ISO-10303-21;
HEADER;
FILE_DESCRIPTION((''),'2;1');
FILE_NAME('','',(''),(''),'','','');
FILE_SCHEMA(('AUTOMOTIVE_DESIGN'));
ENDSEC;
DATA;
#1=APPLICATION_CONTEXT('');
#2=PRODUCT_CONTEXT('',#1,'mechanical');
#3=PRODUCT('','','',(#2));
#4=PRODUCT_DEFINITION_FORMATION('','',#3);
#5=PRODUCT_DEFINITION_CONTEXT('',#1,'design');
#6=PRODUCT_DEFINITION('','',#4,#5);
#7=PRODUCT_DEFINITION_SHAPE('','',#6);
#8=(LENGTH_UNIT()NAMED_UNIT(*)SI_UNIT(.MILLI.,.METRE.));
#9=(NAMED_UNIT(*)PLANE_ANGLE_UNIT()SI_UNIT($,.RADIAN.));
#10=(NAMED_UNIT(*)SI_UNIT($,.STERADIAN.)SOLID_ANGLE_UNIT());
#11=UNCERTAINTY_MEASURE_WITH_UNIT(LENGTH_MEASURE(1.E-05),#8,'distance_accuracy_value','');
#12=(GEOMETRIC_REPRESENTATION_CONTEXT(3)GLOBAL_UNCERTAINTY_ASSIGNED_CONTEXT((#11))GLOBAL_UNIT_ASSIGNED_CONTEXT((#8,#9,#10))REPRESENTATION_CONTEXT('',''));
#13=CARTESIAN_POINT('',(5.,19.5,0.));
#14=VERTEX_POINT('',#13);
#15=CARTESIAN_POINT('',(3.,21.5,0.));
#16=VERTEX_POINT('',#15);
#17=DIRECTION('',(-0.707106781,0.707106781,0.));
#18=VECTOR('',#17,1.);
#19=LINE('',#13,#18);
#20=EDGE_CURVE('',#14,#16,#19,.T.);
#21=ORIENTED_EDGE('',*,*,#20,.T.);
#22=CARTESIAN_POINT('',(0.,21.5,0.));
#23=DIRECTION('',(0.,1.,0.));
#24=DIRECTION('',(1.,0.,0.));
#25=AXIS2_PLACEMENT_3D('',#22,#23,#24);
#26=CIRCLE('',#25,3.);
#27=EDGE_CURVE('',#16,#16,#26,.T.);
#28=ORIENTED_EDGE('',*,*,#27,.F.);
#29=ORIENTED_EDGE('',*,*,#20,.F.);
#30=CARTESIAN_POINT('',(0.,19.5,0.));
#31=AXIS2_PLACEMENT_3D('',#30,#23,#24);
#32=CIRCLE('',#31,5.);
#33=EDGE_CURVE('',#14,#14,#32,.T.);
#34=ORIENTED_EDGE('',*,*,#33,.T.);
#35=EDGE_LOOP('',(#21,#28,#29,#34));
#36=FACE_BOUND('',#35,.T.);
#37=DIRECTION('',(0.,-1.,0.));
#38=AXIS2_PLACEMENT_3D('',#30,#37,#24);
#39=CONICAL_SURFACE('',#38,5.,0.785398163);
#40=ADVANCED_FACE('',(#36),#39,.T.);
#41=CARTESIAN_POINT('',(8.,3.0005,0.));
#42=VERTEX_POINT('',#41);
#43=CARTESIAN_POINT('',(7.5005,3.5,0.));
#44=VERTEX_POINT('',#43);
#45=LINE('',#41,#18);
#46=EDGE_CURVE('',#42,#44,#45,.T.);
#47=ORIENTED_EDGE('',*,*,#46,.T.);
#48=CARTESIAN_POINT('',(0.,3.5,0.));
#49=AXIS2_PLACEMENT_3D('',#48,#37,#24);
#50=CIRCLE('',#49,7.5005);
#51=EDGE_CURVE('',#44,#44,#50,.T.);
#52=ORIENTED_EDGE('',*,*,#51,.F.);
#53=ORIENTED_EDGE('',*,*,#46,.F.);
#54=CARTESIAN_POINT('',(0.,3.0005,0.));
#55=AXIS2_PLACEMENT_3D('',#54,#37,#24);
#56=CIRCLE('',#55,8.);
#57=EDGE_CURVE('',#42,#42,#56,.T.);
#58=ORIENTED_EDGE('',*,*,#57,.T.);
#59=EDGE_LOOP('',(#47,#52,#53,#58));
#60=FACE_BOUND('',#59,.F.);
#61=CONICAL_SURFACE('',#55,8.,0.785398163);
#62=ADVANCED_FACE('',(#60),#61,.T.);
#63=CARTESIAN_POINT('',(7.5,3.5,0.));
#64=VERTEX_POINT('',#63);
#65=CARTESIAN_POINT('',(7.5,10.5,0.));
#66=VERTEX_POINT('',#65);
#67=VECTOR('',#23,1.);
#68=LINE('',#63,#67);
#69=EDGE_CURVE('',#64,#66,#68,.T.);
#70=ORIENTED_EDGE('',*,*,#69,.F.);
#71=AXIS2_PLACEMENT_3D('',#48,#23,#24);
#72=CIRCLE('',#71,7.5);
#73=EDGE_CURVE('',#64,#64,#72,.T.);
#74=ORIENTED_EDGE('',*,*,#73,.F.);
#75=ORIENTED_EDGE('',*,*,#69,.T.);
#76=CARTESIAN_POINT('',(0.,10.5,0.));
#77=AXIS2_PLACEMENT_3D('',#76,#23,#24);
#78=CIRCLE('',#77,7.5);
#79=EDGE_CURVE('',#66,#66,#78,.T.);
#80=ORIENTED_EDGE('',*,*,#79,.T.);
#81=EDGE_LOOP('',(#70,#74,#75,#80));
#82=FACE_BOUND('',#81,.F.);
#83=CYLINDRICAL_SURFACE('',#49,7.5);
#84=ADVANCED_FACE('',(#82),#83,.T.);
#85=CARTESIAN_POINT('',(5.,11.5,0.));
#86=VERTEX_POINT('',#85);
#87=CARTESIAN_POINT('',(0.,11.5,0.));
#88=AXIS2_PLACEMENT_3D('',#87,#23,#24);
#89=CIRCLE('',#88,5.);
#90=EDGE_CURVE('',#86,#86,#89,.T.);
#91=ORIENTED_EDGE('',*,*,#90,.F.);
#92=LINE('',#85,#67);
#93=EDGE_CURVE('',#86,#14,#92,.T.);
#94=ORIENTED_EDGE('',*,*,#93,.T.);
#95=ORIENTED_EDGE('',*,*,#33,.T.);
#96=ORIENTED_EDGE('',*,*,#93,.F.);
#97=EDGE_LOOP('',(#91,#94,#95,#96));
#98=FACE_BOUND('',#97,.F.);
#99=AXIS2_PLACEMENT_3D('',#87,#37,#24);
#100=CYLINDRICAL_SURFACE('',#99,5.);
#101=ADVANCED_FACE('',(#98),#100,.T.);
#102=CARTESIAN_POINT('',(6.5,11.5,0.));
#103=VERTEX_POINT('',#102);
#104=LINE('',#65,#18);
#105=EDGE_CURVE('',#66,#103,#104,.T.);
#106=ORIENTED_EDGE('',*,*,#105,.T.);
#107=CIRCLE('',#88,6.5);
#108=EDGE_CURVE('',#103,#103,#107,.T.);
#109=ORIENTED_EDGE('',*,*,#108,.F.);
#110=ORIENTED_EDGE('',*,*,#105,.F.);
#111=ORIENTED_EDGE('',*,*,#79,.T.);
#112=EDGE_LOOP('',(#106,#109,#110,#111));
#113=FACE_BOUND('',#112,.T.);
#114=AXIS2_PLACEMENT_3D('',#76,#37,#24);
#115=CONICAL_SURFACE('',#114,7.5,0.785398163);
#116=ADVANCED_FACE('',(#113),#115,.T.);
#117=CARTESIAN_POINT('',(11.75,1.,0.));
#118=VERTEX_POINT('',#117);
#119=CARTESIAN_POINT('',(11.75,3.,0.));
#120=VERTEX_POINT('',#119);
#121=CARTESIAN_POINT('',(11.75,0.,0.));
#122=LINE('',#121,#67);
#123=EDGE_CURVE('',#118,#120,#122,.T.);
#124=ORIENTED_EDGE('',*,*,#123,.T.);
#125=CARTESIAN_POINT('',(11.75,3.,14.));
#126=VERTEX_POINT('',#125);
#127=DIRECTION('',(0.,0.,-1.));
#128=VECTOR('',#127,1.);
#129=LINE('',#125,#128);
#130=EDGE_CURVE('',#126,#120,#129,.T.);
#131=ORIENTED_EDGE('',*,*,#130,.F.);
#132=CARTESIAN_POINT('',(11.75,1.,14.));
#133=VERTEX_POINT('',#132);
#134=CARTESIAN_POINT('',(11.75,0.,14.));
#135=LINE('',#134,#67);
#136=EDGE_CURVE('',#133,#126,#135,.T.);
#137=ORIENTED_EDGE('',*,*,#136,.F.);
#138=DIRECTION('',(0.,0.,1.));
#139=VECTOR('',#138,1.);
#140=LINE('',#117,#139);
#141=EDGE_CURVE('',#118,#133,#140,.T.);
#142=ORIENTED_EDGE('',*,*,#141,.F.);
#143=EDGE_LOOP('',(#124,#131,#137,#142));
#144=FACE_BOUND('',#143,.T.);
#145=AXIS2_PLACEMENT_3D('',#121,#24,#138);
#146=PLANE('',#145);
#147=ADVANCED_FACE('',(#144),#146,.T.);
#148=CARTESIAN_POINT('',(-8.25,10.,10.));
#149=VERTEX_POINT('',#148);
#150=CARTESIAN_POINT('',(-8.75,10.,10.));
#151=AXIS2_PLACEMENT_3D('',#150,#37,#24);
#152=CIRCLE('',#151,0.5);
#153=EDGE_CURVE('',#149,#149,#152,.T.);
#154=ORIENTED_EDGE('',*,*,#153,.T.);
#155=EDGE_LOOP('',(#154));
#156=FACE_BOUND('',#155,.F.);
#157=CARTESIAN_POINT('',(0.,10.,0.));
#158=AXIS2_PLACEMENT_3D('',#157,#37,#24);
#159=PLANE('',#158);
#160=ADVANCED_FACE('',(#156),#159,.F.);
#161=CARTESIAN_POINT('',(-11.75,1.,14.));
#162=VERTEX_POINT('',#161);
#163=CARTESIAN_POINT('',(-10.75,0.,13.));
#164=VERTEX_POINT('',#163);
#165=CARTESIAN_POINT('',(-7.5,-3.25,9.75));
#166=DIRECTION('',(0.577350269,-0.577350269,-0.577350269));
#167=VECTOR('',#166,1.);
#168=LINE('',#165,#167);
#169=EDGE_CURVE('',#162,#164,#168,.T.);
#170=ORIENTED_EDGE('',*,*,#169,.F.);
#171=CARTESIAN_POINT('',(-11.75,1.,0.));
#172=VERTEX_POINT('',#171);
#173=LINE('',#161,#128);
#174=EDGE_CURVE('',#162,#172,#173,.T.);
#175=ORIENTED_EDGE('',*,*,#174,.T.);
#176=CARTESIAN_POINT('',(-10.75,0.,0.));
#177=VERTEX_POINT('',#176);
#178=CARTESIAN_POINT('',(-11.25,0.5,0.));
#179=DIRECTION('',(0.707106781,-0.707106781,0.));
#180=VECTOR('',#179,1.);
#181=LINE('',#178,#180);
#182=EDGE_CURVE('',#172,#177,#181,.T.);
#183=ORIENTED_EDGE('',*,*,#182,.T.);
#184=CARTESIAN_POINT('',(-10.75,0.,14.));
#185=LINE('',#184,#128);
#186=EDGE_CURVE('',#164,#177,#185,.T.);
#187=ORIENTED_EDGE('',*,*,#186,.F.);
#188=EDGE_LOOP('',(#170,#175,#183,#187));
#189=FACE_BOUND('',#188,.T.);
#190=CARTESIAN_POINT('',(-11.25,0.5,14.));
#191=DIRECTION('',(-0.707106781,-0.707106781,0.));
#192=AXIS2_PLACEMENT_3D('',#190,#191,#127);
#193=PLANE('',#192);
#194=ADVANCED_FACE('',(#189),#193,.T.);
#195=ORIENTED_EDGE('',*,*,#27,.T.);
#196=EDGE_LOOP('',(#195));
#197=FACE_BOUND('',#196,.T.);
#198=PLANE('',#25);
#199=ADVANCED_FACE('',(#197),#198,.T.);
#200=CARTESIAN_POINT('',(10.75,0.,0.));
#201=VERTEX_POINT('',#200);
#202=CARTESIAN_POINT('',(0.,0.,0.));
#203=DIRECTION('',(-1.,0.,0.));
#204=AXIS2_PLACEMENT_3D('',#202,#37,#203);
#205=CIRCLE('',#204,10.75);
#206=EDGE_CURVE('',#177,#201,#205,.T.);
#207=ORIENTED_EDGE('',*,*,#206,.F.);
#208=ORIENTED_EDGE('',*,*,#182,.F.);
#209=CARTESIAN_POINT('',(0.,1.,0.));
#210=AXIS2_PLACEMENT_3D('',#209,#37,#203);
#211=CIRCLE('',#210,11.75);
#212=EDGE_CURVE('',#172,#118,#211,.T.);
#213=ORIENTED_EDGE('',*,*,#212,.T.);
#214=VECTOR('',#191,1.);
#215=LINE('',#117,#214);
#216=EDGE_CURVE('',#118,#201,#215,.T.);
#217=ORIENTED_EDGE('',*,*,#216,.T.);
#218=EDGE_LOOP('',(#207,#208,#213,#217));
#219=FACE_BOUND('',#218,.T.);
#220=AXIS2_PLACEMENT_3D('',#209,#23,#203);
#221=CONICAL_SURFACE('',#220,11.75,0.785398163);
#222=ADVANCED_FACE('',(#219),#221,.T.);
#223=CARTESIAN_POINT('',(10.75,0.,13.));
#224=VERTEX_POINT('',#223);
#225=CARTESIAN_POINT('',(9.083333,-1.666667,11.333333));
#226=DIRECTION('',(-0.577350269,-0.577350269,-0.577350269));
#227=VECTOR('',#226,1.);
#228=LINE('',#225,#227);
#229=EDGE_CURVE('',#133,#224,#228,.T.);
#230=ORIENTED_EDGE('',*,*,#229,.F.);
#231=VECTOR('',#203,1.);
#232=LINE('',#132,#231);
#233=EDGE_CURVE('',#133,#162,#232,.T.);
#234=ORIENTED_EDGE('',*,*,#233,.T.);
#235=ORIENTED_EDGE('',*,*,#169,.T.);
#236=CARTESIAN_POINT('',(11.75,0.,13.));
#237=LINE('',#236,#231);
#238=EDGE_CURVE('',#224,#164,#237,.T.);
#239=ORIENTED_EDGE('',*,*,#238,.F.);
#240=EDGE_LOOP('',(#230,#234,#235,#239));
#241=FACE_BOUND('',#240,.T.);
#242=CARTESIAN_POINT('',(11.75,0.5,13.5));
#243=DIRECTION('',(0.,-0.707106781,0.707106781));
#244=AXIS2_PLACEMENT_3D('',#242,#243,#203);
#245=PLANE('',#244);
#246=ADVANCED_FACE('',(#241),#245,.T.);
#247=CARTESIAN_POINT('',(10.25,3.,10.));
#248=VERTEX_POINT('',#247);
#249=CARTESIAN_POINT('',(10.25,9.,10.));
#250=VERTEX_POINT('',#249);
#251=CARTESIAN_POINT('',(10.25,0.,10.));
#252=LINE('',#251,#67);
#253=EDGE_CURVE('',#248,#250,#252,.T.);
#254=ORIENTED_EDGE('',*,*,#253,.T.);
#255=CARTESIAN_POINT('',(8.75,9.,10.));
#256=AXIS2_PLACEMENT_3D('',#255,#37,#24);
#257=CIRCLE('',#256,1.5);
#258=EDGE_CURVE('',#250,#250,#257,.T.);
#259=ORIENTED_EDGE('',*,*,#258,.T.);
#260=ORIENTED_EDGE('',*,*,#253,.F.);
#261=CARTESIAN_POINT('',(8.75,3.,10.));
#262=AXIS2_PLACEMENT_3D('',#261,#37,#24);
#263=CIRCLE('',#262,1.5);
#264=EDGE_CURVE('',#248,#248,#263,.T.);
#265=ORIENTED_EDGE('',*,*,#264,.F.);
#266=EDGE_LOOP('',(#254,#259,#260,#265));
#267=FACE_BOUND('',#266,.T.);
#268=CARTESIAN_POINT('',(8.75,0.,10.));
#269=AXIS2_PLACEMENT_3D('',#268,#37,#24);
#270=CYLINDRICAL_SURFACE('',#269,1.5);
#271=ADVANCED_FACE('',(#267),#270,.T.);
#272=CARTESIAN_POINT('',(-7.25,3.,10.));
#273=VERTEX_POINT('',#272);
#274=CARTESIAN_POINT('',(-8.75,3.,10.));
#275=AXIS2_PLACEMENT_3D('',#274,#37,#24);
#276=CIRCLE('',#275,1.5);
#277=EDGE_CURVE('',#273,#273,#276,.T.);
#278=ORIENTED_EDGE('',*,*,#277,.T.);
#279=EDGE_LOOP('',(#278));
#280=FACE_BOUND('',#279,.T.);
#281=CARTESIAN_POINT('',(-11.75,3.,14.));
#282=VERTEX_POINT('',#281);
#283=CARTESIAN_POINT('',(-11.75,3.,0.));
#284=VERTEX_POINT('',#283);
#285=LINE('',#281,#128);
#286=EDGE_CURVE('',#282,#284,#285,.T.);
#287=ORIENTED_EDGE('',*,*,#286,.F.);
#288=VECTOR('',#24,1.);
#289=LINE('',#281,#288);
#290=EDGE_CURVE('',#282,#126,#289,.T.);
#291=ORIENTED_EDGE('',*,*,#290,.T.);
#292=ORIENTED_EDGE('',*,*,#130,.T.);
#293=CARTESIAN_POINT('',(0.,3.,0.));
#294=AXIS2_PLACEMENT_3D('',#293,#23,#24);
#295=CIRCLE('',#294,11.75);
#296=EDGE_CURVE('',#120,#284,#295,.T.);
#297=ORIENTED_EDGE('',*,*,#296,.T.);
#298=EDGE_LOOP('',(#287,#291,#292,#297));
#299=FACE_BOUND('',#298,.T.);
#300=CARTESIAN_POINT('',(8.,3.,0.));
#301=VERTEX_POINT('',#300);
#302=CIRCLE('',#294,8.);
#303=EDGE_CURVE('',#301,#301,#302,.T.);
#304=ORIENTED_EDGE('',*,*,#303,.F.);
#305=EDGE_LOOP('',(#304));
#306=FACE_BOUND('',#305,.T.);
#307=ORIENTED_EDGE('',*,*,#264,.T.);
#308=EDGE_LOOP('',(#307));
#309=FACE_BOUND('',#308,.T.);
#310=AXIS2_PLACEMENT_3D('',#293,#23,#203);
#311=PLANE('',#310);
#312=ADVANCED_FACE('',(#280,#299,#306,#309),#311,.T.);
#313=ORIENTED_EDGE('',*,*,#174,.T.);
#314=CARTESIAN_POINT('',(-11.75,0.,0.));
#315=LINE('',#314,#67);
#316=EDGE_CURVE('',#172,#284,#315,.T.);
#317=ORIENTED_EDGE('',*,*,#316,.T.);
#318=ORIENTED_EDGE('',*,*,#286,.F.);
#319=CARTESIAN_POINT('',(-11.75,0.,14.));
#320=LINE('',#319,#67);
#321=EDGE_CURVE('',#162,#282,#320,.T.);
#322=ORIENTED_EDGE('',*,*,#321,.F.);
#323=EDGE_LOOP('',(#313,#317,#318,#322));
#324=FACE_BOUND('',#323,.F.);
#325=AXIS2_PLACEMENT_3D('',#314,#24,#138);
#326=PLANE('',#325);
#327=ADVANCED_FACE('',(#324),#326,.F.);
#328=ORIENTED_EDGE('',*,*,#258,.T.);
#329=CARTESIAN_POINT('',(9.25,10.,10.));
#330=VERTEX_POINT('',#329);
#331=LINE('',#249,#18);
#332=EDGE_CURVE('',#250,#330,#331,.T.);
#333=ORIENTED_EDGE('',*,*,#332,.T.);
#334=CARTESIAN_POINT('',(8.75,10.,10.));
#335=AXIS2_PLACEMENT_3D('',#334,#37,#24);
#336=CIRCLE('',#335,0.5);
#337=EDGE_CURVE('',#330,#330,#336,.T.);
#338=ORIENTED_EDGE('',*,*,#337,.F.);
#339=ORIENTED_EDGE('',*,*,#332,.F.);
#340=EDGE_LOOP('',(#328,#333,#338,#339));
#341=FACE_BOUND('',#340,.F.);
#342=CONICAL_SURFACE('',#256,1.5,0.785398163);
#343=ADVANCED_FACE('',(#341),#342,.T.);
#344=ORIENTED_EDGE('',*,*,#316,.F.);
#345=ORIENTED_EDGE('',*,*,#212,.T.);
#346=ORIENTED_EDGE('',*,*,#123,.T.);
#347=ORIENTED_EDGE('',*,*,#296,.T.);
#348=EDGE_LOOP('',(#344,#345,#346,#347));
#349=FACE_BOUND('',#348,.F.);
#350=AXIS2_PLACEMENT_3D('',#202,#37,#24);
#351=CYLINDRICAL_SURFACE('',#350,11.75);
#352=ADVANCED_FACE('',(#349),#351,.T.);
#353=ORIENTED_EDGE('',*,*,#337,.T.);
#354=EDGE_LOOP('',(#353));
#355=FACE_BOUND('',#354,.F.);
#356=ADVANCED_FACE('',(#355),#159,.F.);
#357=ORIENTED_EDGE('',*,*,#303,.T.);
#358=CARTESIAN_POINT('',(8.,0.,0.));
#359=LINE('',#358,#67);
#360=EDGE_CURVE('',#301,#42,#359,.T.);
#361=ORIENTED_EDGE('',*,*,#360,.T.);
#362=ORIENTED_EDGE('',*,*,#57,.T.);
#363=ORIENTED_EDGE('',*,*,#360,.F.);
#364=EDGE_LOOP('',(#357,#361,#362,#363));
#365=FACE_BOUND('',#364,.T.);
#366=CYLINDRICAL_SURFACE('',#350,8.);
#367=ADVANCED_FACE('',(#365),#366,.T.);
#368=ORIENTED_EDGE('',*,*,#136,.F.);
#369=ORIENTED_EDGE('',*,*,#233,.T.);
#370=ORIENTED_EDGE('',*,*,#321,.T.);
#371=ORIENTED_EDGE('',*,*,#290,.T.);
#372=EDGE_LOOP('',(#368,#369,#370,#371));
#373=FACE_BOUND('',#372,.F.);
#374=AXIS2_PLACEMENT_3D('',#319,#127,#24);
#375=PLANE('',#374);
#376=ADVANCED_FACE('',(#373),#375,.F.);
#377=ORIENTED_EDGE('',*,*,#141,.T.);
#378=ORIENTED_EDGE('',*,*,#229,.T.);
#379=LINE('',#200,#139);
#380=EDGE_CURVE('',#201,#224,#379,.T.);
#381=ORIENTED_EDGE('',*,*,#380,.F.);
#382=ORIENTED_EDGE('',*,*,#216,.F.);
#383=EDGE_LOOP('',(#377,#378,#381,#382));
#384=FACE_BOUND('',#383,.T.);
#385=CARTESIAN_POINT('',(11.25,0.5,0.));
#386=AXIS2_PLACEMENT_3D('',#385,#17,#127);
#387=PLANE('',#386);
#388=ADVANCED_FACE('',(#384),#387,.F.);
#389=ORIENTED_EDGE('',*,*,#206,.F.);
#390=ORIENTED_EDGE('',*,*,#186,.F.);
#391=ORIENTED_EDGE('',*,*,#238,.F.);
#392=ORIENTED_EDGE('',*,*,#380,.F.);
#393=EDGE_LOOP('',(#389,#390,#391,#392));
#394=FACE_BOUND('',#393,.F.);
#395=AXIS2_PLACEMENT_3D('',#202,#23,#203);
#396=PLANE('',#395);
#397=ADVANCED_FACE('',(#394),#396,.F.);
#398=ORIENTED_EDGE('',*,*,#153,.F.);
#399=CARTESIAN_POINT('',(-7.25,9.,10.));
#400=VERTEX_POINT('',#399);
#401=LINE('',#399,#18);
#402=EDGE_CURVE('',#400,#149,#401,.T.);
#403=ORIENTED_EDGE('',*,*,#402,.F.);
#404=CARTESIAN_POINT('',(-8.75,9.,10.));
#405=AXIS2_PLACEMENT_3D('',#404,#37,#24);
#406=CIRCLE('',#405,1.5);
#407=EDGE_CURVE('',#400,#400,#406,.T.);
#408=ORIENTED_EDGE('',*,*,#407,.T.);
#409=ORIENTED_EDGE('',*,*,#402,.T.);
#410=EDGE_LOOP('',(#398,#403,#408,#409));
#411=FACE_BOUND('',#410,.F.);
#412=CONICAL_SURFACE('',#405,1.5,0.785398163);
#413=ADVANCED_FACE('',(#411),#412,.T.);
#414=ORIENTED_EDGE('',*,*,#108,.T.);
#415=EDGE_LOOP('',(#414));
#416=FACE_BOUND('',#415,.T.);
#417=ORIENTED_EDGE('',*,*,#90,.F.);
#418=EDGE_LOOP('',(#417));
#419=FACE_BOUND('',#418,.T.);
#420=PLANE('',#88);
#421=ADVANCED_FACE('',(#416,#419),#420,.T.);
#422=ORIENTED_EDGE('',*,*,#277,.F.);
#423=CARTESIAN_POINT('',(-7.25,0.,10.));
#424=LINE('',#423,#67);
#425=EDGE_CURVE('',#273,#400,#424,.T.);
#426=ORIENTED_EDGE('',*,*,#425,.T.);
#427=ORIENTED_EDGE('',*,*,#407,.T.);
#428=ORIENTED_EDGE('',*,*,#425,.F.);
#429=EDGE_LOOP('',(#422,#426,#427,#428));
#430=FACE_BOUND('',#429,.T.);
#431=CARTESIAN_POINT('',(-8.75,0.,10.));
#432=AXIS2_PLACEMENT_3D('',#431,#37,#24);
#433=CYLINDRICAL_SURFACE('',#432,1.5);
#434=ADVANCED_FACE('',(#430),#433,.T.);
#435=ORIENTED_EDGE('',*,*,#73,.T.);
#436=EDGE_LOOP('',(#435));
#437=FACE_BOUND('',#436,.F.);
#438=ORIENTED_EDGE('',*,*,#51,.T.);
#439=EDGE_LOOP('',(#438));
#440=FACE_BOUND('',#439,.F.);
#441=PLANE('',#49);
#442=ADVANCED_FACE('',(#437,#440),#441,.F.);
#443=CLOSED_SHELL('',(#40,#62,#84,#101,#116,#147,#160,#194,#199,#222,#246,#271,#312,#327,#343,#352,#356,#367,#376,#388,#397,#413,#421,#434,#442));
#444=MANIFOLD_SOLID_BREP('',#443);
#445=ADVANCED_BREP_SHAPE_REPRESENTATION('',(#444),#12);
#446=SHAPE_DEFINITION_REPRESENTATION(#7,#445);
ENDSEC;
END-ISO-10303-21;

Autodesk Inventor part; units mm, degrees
ref_plane "YZ Plane" through (0, 0, 0) normal (1, 0, 0) x (0, 1, 0)
ref_plane "XZ Plane" through (0, 0, 0) normal (0, 1, 0) x (-1, 0, 0)
ref_plane "XY Plane" through (0, 0, 0) normal (0, 0, 1) x (1, 0, 0)
sketch "Boceto1" plane through (0, 0, 0) normal (0, 1, 0) x (-1, 0, 0)
  circle A0 centre (0, 0) radius 8
  circle A1 centre (8.75, 10) radius 1.5
  circle A2 centre (-8.75, 10) radius 1.5
  circle A3 centre (-8.75, 10) radius 1.5
  circle A4 centre (8.75, 10) radius 1.5
  line L0 (11.75, 10) -> (11.75, 14)
  line L1 (11.75, 14) -> (-8.75, 14)
  line L2 (-11.75, 10) -> (-11.75, 14)
  line L3 (-11.75, 14) -> (-8.75, 14)
  arc A5 (-11.75, 0) -> (11.75, 0) centre (0, 0) ccw
  line L4 (11.75, 0) -> (11.75, 10)
  line L5 (-11.75, 0) -> (-11.75, 10.3265)
extrude "Extrusión1" add sketch "Boceto1" along normal blind 3
sketch "Boceto2" plane through (0, 0, 0) normal (0, -1, 0) x (1, 0, 0)
  circle A0 centre (8.75, 10) radius 1.5 projected
  circle A1 centre (8.75, 10) radius 1.5
  circle A2 centre (-8.75, 10) radius 1.5 projected
  circle A3 centre (-8.75, 10) radius 1.5
  point P0 (0, 0)
extrude "Extrusión2" add sketch "Boceto2" against normal blind 10
sketch "Boceto3" plane through (0, 0, 0) normal (0, -1, 0) x (1, 0, 0)
  circle A0 centre (0, 0) radius 8
extrude "Extrusión3" add sketch "Boceto3" against normal blind 3.5
sketch "Boceto4" plane through (0, 3.5, 0) normal (0, 1, 0) x (1, 0, 0)
  circle A0 centre (0, 0) radius 7.5
  dimension "d16" = 15
extrude "Extrusión4" add sketch "Boceto4" along normal blind 8
sketch "Boceto5" plane through (0, 11.5, 0) normal (0, 1, 0) x (1, 0, 0)
  circle A0 centre (0, 0) radius 5
  dimension "d19" = 10
extrude "Extrusión5" add sketch "Boceto5" along normal blind 10
chamfer "Chaflán1" distance 0.5 angle 45 1 edges at (-8, 3.5, 0)
chamfer "Chaflán2" distance 1 angle 45 1 edges at (-7.5, 11.5, 0)
chamfer "Chaflán3" distance 2 angle 45 1 edges at (-5, 21.5, 0)
chamfer "Chaflán4" distance 1 angle 45 2 edges at (-10.25, 10, 10) (7.25, 10, 10)
chamfer "Chaflán5" distance 1 angle 45 4 edges at (0, 0, 14) (11.75, 0, 7) (0, 0, -11.75) (-11.75, 0, 7)
properties part number "soporte_brazo_art"
